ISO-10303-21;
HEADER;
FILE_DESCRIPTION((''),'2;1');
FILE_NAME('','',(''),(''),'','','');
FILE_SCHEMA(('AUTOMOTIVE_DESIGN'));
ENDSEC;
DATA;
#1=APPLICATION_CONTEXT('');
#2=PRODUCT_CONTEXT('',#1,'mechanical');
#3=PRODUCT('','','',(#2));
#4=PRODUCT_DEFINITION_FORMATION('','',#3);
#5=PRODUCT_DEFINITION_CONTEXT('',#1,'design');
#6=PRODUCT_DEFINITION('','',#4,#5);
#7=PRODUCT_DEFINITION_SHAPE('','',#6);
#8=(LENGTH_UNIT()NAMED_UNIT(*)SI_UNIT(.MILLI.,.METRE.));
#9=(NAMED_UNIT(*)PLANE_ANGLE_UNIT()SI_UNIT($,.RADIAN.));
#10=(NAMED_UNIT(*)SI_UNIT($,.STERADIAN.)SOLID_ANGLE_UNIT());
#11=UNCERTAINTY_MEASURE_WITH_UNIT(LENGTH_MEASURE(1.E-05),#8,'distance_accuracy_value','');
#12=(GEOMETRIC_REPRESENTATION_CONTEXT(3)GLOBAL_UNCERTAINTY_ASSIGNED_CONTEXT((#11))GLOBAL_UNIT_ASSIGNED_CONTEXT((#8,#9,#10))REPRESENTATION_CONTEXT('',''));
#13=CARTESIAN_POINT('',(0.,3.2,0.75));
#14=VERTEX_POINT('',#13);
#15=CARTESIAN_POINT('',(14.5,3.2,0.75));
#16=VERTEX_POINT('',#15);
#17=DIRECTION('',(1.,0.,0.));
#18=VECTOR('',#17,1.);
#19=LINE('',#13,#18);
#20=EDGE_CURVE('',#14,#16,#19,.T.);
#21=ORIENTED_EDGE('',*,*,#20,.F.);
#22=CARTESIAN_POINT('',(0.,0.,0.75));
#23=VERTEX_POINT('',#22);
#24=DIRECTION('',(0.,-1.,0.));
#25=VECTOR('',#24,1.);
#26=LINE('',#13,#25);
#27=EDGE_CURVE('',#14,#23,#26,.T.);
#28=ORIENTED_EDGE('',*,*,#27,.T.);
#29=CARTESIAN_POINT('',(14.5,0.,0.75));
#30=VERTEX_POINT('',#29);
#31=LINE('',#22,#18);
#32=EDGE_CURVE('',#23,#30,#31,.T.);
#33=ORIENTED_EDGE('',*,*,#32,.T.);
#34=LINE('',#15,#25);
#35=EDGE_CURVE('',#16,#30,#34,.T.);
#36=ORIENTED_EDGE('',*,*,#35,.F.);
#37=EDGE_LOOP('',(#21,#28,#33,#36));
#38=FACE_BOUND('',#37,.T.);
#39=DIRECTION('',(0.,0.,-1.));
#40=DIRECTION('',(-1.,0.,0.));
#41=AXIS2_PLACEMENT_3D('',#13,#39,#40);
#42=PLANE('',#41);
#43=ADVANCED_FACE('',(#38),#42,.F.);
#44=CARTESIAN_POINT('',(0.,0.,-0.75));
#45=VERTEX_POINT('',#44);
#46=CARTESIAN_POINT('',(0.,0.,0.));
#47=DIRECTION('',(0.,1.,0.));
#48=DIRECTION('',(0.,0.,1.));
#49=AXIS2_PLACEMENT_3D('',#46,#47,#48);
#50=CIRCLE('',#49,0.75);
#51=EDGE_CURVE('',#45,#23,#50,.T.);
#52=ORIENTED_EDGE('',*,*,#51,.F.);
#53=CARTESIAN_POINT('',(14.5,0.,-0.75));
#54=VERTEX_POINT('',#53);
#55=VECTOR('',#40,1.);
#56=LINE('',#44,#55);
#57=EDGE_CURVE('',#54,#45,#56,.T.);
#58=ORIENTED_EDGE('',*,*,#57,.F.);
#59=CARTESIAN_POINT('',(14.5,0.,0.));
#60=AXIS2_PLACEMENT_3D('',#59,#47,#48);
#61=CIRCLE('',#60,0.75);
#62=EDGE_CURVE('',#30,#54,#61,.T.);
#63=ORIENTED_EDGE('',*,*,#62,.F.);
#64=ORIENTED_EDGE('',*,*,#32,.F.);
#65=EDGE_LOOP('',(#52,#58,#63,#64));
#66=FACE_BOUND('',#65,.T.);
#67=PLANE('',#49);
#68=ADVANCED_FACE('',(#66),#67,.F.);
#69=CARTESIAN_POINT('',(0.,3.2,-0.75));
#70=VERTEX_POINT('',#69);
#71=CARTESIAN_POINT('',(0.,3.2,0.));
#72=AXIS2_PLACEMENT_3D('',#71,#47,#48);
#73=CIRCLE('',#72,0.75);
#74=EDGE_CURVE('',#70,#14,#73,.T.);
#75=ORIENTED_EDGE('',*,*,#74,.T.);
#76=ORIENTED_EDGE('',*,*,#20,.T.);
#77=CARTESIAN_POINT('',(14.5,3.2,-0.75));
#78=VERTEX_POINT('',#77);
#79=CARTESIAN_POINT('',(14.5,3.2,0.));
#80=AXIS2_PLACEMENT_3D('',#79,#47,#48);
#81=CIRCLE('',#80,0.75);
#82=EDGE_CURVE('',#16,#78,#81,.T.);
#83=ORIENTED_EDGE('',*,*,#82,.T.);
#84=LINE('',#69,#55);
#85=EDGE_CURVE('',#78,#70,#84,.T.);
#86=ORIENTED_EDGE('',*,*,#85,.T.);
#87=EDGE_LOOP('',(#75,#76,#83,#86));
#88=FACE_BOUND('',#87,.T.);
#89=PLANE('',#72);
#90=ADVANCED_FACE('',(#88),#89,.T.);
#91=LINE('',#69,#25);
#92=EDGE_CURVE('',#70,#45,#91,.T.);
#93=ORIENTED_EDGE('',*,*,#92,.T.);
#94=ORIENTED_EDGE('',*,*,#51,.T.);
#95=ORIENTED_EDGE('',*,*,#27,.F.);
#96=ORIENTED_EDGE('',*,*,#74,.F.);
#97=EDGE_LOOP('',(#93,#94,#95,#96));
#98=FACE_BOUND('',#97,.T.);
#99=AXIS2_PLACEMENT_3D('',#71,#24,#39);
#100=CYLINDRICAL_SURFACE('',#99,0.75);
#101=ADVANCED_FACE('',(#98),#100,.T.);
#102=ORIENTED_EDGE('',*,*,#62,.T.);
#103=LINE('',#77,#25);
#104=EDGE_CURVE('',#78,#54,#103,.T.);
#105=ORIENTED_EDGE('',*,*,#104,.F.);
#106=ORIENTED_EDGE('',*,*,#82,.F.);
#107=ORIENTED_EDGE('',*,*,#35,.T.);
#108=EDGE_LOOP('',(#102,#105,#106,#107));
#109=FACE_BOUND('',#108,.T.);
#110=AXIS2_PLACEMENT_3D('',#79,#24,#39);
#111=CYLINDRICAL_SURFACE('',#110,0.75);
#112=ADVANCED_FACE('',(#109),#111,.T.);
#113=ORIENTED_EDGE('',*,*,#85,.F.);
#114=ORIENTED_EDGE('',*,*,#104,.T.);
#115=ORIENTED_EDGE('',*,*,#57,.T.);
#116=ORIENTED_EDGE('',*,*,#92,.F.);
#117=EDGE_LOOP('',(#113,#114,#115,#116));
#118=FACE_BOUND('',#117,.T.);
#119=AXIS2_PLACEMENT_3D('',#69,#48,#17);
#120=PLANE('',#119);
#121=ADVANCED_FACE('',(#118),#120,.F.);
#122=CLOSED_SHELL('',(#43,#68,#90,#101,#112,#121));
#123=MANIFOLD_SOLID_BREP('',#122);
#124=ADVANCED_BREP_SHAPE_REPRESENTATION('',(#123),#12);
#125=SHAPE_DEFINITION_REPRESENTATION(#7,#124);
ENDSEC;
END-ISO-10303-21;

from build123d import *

# Parameters (mm, degrees)
BOSS_EXTRUDE1_DEPTH = 3.2


with BuildPart() as part:
    # Sketch1 → Boss-Extrude1 (new body)
    with BuildSketch(Plane(origin=(0, 0, 0), x_dir=(1, 0, 0), z_dir=(0, 1, 0))):
        with BuildLine():
            Line((0, 0.75), (14.5, 0.75))
            ThreePointArc((14.5, 0.75), (15.25, 0), (14.5, -0.75))
            Line((14.5, -0.75), (0, -0.75))
            ThreePointArc((0, -0.75), (-0.75, 0), (0, 0.75))
        make_face()
    extrude(amount=BOSS_EXTRUDE1_DEPTH)


solid = part.part
